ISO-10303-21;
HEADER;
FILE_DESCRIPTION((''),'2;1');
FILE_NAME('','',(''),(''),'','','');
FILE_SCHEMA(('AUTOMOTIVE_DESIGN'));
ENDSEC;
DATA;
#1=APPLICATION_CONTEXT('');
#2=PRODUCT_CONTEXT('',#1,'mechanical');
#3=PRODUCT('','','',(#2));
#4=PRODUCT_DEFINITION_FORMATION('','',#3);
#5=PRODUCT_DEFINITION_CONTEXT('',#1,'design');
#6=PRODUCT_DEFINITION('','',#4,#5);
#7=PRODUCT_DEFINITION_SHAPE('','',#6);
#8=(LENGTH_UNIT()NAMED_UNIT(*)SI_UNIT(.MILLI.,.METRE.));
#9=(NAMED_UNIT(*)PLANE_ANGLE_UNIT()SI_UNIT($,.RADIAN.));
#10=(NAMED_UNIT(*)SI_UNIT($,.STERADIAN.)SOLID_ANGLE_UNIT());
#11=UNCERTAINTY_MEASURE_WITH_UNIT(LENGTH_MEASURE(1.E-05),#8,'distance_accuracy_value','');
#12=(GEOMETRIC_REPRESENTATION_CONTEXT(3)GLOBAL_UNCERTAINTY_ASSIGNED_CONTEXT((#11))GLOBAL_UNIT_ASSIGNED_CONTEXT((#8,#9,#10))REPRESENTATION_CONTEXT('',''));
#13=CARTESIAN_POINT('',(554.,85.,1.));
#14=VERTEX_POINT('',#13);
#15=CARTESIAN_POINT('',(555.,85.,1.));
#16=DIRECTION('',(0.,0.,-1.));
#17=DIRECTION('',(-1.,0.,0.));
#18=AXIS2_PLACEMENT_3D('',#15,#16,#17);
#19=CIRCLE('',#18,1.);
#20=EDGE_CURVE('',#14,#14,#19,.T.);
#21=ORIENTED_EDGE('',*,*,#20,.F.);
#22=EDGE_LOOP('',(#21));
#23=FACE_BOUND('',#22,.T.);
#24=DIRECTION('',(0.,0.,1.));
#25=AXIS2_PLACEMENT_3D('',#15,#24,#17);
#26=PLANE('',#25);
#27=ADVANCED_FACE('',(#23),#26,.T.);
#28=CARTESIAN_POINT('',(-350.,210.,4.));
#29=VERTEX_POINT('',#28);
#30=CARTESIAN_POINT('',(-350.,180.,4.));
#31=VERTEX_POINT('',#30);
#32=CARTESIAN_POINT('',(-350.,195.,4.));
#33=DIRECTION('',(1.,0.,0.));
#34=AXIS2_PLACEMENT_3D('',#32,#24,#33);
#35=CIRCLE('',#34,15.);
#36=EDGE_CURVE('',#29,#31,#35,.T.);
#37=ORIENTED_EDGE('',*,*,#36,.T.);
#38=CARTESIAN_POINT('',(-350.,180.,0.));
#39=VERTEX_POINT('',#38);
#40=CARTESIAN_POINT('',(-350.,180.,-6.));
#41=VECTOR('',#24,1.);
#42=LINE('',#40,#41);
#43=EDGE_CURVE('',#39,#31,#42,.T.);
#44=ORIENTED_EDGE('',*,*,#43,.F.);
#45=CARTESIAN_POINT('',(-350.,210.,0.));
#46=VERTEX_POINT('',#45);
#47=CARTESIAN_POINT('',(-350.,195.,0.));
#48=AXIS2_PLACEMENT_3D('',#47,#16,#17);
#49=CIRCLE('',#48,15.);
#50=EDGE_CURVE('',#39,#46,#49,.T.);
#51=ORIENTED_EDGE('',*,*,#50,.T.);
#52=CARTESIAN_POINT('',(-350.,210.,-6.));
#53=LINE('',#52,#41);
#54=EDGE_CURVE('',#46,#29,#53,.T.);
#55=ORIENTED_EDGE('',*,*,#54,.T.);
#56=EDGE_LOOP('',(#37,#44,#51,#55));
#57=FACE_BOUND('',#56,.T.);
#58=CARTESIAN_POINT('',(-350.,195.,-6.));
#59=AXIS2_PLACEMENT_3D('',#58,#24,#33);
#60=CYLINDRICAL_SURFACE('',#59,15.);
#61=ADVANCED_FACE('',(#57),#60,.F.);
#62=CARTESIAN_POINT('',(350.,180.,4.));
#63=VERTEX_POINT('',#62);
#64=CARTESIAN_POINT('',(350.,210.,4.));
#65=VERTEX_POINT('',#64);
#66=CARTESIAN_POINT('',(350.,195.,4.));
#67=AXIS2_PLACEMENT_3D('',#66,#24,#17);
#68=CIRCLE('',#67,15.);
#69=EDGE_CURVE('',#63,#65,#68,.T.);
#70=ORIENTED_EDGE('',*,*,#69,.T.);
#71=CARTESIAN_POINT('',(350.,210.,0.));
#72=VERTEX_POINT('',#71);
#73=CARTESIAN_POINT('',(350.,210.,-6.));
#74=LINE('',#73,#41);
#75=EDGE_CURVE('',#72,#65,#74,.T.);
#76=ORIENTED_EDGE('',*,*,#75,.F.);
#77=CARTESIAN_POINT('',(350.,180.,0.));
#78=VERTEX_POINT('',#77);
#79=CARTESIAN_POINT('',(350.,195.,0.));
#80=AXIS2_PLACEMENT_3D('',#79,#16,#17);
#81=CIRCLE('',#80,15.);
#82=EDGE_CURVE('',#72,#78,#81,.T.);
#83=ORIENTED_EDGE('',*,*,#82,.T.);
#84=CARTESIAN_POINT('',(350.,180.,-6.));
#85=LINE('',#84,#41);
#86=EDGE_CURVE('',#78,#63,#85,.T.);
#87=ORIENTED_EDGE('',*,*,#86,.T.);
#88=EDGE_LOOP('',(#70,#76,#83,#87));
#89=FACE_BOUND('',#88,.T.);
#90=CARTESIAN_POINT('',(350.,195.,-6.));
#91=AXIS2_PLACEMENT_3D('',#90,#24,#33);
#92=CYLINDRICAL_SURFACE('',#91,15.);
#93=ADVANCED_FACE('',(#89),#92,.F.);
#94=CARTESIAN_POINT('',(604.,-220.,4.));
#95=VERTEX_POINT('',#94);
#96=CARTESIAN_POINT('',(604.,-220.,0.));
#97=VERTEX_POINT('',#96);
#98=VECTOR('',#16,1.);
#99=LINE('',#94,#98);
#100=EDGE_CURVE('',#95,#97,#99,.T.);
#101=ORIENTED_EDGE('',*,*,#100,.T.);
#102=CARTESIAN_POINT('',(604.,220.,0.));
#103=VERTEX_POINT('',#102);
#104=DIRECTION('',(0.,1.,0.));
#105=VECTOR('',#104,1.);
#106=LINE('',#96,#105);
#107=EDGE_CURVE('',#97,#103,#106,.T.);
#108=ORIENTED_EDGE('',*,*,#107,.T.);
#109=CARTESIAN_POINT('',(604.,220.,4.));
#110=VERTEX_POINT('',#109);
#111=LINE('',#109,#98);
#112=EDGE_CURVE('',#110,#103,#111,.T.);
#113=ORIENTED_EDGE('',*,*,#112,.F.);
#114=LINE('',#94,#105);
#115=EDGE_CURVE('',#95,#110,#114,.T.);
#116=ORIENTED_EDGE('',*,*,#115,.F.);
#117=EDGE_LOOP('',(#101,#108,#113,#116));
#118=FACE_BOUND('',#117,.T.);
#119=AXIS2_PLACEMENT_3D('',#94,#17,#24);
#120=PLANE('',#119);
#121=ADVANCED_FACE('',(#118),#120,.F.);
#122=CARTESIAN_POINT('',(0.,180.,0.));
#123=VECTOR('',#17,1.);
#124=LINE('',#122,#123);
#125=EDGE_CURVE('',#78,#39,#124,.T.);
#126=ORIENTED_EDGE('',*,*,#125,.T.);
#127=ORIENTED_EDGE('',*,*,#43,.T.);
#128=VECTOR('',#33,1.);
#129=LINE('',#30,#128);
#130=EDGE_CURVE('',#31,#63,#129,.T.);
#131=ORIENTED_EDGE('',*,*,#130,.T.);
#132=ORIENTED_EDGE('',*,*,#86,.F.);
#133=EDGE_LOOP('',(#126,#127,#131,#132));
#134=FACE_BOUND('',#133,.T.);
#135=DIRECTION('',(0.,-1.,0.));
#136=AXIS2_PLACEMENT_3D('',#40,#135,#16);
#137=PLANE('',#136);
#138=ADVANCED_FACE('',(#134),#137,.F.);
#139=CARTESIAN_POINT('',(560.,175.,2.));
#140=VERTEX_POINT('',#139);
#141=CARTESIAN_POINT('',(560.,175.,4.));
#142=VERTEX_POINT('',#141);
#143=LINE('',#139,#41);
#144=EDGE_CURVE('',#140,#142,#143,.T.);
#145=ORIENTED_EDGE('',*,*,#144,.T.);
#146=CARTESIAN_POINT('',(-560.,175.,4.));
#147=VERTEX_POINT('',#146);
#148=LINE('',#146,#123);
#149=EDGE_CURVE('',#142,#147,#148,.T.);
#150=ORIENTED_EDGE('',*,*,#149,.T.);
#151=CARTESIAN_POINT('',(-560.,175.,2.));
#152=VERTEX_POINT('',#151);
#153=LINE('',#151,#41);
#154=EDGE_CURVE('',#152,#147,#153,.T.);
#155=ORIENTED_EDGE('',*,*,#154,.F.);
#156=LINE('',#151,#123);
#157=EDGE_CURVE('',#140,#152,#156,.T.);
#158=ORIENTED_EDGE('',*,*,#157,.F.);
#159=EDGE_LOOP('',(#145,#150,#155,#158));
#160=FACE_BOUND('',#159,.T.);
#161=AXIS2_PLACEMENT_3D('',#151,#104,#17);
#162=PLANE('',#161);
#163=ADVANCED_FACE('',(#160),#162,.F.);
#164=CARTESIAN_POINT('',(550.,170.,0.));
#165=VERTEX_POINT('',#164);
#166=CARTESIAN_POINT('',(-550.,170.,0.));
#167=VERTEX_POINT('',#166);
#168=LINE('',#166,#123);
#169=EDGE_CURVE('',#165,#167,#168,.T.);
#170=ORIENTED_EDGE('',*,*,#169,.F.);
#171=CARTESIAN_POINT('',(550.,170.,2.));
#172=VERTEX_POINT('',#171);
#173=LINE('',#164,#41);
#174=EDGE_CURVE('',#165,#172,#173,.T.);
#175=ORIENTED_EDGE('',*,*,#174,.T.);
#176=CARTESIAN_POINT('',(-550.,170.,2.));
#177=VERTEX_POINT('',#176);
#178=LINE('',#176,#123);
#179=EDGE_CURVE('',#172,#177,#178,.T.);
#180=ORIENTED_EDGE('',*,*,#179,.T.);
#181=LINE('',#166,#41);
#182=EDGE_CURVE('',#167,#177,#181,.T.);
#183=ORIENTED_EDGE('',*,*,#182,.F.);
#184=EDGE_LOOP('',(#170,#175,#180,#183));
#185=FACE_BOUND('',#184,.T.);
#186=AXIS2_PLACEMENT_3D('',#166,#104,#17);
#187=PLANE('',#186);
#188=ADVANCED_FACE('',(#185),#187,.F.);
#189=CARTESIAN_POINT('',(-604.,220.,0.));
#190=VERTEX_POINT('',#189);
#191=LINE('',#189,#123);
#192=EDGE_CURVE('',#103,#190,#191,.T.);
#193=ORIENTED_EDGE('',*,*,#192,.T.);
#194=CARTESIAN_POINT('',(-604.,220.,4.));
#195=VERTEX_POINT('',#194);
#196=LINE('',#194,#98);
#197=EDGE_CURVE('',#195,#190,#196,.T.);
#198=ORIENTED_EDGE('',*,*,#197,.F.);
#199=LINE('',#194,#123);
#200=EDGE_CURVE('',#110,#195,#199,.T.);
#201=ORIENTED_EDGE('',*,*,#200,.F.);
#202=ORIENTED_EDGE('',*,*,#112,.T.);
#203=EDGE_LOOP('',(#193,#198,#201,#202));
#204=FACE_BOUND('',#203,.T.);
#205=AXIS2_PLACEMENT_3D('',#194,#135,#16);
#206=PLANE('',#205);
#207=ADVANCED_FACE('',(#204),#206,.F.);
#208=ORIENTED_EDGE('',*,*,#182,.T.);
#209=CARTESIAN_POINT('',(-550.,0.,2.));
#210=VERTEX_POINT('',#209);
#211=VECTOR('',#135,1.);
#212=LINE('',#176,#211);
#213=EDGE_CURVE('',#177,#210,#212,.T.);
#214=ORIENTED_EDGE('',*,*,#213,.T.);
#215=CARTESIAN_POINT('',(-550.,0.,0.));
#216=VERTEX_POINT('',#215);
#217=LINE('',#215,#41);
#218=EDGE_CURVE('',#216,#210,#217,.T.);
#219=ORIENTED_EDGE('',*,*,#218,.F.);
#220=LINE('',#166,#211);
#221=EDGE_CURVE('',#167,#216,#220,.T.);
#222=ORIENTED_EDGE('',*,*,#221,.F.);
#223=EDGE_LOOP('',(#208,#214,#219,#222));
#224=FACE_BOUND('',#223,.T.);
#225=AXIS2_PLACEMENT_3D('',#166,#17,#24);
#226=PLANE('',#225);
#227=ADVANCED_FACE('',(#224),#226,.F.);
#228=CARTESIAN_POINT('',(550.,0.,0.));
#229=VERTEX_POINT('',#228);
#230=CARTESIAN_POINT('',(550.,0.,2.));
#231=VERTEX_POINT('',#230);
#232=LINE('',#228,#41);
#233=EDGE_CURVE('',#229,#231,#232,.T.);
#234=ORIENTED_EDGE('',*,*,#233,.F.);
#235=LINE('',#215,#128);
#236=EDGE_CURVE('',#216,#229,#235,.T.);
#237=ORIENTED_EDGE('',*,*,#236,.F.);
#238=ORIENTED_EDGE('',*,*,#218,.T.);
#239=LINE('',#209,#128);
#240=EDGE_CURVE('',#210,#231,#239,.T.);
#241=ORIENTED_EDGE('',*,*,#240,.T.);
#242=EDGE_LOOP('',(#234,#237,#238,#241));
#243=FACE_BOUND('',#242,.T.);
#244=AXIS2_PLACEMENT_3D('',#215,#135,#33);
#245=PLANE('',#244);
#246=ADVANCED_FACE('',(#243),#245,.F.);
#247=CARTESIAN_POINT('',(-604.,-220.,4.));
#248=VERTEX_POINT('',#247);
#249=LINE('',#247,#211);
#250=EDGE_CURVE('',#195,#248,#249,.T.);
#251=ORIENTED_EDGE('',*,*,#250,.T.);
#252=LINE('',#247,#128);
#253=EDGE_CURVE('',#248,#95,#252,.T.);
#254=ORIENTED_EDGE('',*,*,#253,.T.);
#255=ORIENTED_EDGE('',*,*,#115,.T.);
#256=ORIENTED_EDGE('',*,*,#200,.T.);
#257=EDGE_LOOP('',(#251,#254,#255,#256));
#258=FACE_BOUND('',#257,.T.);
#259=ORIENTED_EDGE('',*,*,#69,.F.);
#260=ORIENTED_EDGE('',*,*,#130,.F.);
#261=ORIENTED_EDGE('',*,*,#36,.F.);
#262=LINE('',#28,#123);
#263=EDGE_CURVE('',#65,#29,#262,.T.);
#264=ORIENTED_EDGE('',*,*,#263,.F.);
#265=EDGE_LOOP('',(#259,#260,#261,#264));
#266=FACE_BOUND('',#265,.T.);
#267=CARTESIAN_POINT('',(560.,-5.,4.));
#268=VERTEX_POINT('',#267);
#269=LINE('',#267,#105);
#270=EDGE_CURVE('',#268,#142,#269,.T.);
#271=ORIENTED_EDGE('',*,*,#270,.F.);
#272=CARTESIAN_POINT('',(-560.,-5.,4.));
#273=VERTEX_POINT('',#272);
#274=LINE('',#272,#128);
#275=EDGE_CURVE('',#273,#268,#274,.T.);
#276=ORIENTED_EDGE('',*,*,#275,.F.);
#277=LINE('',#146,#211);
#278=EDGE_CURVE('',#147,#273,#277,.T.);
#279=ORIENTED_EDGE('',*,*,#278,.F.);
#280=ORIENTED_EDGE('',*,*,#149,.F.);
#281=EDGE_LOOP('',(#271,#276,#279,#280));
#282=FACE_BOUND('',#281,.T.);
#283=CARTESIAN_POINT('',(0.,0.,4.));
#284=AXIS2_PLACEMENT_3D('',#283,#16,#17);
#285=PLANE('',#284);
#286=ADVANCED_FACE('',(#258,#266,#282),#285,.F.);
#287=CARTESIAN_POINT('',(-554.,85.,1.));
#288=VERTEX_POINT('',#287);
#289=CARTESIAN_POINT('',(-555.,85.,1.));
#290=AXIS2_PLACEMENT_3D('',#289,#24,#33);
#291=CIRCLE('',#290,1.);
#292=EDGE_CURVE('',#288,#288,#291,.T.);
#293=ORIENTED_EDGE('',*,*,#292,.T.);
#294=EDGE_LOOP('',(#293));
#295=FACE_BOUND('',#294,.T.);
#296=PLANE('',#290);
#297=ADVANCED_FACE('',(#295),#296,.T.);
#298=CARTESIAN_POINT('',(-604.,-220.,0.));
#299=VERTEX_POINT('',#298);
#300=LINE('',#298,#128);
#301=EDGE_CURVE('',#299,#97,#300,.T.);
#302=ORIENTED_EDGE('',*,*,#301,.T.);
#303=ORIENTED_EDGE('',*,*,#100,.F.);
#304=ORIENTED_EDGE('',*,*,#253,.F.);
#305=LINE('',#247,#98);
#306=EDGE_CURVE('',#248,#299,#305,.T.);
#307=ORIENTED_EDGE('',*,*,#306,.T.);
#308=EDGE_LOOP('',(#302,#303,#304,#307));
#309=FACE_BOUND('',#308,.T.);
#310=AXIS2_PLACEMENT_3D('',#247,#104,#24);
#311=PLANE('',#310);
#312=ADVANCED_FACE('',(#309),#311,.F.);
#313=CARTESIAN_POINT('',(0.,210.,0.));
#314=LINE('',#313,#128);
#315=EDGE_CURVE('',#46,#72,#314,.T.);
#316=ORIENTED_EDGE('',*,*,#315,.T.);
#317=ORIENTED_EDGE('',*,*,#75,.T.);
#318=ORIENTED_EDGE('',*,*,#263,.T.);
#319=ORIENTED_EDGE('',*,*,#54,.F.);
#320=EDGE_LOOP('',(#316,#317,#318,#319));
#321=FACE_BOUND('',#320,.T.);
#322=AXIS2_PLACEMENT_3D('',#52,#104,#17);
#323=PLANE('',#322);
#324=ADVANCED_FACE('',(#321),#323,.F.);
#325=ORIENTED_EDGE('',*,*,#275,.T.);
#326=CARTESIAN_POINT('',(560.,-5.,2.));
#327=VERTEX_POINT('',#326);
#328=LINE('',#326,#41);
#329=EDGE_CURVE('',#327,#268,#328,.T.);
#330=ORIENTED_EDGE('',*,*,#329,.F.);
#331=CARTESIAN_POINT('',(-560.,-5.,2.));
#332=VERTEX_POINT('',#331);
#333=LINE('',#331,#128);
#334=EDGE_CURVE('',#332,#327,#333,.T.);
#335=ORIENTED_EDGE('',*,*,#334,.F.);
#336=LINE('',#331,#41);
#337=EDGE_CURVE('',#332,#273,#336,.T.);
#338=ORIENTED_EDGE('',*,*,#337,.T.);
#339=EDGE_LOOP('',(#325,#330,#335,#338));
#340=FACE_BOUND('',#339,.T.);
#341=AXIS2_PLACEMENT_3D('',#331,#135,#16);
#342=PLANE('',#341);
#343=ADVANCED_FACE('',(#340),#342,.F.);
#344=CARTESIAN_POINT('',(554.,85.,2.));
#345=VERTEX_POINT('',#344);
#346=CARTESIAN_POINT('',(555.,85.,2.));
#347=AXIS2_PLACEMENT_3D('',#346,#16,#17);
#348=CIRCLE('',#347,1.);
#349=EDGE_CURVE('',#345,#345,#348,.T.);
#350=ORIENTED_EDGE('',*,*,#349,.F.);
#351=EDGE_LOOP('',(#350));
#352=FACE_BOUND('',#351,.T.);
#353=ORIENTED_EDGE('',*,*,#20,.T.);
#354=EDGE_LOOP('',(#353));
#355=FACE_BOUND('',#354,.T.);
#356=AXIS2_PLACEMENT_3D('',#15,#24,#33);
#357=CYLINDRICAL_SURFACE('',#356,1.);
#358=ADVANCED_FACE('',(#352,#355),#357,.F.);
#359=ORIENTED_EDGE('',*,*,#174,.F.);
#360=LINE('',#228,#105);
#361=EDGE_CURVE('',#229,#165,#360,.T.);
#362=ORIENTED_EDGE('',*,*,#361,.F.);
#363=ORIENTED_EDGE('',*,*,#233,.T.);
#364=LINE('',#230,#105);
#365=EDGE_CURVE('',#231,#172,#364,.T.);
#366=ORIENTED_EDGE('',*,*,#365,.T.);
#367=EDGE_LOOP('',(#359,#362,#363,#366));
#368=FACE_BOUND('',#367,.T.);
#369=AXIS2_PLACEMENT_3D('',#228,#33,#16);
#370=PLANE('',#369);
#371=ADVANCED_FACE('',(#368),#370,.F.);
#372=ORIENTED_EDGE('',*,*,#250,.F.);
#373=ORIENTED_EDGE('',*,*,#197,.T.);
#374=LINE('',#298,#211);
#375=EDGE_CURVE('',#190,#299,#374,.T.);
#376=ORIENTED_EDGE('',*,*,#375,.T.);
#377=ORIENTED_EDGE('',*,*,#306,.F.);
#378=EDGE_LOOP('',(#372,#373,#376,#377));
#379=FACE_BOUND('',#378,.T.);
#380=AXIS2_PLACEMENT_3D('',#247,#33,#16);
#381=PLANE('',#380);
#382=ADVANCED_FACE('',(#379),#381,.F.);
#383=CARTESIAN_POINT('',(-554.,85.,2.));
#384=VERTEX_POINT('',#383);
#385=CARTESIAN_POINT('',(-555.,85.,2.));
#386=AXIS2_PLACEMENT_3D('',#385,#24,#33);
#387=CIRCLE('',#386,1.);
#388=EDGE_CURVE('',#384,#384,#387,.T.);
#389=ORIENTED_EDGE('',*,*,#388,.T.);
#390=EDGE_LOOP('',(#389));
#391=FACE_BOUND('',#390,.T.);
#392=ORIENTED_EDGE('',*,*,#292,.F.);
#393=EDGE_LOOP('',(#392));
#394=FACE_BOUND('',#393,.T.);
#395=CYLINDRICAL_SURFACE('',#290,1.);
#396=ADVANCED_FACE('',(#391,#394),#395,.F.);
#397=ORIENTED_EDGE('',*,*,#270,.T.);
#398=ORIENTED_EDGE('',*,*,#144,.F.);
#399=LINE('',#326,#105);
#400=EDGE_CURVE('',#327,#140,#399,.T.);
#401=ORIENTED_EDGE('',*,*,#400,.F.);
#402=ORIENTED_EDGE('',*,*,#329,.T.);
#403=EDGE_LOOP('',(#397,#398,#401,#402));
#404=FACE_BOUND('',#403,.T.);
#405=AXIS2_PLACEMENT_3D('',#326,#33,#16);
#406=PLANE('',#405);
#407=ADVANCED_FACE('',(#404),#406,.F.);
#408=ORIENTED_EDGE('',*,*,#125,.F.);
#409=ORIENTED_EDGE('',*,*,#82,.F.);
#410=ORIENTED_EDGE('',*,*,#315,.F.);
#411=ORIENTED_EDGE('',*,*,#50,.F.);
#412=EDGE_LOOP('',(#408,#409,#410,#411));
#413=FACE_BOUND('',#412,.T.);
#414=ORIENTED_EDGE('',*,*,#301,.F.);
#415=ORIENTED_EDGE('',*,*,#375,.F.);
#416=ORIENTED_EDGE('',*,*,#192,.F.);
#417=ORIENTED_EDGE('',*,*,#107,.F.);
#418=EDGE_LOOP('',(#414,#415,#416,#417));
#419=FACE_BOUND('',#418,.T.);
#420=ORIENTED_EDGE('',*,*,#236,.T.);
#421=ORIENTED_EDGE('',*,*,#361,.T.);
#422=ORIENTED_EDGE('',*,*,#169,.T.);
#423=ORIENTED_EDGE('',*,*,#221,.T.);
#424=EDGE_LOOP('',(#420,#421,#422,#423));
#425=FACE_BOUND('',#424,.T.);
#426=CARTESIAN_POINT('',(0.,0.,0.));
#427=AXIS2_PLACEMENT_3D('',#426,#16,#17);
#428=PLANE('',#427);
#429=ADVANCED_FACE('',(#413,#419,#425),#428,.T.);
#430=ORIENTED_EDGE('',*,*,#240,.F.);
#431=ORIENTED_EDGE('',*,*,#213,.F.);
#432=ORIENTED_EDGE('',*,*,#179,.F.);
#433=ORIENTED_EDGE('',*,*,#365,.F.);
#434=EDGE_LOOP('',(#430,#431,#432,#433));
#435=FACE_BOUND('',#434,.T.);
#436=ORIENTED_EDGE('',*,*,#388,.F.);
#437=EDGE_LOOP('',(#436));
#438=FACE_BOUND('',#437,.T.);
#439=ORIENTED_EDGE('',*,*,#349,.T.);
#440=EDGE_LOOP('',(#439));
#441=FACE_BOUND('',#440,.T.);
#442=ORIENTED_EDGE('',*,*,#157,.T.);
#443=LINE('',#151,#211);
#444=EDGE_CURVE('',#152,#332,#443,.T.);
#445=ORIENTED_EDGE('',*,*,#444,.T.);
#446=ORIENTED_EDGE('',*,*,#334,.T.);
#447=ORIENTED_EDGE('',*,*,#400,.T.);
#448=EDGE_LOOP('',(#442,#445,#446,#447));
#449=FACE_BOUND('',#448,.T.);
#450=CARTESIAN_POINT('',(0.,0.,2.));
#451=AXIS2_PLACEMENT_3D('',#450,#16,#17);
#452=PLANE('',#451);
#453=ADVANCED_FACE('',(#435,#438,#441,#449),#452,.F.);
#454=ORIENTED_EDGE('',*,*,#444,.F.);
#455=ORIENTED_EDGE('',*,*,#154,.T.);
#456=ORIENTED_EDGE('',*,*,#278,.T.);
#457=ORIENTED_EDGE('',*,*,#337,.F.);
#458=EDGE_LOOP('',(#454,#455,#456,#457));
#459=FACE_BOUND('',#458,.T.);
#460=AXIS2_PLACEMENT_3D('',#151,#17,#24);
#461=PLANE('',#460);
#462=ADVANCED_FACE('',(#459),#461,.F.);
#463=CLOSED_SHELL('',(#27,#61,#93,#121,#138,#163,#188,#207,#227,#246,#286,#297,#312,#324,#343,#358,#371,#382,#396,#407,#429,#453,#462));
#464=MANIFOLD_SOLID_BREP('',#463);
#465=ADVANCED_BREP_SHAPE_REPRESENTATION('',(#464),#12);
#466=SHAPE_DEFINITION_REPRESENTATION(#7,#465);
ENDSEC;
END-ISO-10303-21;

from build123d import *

# Parameters (mm, degrees)
SKETCH1_W           = 1208
SKETCH1_H           = 440
BOSS_EXTRUDE1_DEPTH = 4
CUT_EXTRUDE1_DEPTH  = 10
SKETCH3_W           = 1120
SKETCH3_H           = 180
CUT_EXTRUDE2_DEPTH  = 2
SKETCH4_W           = 1100
SKETCH4_H           = 170
CUT_EXTRUDE3_DEPTH  = 3
SKETCH5_R           = 1
CUT_EXTRUDE4_DEPTH  = 1


with BuildPart() as part:
    # Sketch1 → Boss-Extrude1 (new body)
    with BuildSketch(Plane.XY):
        Rectangle(SKETCH1_W, SKETCH1_H)
    extrude(amount=BOSS_EXTRUDE1_DEPTH)

    # Sketch2 → Cut-Extrude1 (cut)
    with BuildSketch(Plane.XY.offset(4)):
        with BuildLine():
            Line((-350, 210), (350, 210))
            ThreePointArc((350, 210), (365, 195), (350, 180))
            Line((350, 180), (-350, 180))
            ThreePointArc((-350, 180), (-365, 195), (-350, 210))
        make_face()
    extrude(amount=-CUT_EXTRUDE1_DEPTH, mode=Mode.SUBTRACT)

    # Sketch3 → Cut-Extrude2 (cut)
    with BuildSketch(Plane.XY.offset(4)):
        with Locations((0, 85)):
            Rectangle(SKETCH3_W, SKETCH3_H)
    extrude(amount=-CUT_EXTRUDE2_DEPTH, mode=Mode.SUBTRACT)

    # Sketch4 → Cut-Extrude3 (cut, through all)
    with BuildSketch(Plane.XY.offset(2)):
        with Locations((0, 85)):
            Rectangle(SKETCH4_W, SKETCH4_H)
    extrude(amount=-CUT_EXTRUDE3_DEPTH, mode=Mode.SUBTRACT)

    # Sketch5 → Cut-Extrude4 (cut)
    with BuildSketch(Plane.XY.offset(2)):
        with Locations((-555, 85)):
            Circle(SKETCH5_R)
    cut_extrude4 = extrude(amount=-CUT_EXTRUDE4_DEPTH, mode=Mode.SUBTRACT)

    # Mirror1: Cut-Extrude4 across plane
    add(cut_extrude4.mirror(Plane(origin=(0, 0, 0), x_dir=(0, 0, 1), z_dir=(1, 0, 0))), mode=Mode.SUBTRACT)


solid = part.part
